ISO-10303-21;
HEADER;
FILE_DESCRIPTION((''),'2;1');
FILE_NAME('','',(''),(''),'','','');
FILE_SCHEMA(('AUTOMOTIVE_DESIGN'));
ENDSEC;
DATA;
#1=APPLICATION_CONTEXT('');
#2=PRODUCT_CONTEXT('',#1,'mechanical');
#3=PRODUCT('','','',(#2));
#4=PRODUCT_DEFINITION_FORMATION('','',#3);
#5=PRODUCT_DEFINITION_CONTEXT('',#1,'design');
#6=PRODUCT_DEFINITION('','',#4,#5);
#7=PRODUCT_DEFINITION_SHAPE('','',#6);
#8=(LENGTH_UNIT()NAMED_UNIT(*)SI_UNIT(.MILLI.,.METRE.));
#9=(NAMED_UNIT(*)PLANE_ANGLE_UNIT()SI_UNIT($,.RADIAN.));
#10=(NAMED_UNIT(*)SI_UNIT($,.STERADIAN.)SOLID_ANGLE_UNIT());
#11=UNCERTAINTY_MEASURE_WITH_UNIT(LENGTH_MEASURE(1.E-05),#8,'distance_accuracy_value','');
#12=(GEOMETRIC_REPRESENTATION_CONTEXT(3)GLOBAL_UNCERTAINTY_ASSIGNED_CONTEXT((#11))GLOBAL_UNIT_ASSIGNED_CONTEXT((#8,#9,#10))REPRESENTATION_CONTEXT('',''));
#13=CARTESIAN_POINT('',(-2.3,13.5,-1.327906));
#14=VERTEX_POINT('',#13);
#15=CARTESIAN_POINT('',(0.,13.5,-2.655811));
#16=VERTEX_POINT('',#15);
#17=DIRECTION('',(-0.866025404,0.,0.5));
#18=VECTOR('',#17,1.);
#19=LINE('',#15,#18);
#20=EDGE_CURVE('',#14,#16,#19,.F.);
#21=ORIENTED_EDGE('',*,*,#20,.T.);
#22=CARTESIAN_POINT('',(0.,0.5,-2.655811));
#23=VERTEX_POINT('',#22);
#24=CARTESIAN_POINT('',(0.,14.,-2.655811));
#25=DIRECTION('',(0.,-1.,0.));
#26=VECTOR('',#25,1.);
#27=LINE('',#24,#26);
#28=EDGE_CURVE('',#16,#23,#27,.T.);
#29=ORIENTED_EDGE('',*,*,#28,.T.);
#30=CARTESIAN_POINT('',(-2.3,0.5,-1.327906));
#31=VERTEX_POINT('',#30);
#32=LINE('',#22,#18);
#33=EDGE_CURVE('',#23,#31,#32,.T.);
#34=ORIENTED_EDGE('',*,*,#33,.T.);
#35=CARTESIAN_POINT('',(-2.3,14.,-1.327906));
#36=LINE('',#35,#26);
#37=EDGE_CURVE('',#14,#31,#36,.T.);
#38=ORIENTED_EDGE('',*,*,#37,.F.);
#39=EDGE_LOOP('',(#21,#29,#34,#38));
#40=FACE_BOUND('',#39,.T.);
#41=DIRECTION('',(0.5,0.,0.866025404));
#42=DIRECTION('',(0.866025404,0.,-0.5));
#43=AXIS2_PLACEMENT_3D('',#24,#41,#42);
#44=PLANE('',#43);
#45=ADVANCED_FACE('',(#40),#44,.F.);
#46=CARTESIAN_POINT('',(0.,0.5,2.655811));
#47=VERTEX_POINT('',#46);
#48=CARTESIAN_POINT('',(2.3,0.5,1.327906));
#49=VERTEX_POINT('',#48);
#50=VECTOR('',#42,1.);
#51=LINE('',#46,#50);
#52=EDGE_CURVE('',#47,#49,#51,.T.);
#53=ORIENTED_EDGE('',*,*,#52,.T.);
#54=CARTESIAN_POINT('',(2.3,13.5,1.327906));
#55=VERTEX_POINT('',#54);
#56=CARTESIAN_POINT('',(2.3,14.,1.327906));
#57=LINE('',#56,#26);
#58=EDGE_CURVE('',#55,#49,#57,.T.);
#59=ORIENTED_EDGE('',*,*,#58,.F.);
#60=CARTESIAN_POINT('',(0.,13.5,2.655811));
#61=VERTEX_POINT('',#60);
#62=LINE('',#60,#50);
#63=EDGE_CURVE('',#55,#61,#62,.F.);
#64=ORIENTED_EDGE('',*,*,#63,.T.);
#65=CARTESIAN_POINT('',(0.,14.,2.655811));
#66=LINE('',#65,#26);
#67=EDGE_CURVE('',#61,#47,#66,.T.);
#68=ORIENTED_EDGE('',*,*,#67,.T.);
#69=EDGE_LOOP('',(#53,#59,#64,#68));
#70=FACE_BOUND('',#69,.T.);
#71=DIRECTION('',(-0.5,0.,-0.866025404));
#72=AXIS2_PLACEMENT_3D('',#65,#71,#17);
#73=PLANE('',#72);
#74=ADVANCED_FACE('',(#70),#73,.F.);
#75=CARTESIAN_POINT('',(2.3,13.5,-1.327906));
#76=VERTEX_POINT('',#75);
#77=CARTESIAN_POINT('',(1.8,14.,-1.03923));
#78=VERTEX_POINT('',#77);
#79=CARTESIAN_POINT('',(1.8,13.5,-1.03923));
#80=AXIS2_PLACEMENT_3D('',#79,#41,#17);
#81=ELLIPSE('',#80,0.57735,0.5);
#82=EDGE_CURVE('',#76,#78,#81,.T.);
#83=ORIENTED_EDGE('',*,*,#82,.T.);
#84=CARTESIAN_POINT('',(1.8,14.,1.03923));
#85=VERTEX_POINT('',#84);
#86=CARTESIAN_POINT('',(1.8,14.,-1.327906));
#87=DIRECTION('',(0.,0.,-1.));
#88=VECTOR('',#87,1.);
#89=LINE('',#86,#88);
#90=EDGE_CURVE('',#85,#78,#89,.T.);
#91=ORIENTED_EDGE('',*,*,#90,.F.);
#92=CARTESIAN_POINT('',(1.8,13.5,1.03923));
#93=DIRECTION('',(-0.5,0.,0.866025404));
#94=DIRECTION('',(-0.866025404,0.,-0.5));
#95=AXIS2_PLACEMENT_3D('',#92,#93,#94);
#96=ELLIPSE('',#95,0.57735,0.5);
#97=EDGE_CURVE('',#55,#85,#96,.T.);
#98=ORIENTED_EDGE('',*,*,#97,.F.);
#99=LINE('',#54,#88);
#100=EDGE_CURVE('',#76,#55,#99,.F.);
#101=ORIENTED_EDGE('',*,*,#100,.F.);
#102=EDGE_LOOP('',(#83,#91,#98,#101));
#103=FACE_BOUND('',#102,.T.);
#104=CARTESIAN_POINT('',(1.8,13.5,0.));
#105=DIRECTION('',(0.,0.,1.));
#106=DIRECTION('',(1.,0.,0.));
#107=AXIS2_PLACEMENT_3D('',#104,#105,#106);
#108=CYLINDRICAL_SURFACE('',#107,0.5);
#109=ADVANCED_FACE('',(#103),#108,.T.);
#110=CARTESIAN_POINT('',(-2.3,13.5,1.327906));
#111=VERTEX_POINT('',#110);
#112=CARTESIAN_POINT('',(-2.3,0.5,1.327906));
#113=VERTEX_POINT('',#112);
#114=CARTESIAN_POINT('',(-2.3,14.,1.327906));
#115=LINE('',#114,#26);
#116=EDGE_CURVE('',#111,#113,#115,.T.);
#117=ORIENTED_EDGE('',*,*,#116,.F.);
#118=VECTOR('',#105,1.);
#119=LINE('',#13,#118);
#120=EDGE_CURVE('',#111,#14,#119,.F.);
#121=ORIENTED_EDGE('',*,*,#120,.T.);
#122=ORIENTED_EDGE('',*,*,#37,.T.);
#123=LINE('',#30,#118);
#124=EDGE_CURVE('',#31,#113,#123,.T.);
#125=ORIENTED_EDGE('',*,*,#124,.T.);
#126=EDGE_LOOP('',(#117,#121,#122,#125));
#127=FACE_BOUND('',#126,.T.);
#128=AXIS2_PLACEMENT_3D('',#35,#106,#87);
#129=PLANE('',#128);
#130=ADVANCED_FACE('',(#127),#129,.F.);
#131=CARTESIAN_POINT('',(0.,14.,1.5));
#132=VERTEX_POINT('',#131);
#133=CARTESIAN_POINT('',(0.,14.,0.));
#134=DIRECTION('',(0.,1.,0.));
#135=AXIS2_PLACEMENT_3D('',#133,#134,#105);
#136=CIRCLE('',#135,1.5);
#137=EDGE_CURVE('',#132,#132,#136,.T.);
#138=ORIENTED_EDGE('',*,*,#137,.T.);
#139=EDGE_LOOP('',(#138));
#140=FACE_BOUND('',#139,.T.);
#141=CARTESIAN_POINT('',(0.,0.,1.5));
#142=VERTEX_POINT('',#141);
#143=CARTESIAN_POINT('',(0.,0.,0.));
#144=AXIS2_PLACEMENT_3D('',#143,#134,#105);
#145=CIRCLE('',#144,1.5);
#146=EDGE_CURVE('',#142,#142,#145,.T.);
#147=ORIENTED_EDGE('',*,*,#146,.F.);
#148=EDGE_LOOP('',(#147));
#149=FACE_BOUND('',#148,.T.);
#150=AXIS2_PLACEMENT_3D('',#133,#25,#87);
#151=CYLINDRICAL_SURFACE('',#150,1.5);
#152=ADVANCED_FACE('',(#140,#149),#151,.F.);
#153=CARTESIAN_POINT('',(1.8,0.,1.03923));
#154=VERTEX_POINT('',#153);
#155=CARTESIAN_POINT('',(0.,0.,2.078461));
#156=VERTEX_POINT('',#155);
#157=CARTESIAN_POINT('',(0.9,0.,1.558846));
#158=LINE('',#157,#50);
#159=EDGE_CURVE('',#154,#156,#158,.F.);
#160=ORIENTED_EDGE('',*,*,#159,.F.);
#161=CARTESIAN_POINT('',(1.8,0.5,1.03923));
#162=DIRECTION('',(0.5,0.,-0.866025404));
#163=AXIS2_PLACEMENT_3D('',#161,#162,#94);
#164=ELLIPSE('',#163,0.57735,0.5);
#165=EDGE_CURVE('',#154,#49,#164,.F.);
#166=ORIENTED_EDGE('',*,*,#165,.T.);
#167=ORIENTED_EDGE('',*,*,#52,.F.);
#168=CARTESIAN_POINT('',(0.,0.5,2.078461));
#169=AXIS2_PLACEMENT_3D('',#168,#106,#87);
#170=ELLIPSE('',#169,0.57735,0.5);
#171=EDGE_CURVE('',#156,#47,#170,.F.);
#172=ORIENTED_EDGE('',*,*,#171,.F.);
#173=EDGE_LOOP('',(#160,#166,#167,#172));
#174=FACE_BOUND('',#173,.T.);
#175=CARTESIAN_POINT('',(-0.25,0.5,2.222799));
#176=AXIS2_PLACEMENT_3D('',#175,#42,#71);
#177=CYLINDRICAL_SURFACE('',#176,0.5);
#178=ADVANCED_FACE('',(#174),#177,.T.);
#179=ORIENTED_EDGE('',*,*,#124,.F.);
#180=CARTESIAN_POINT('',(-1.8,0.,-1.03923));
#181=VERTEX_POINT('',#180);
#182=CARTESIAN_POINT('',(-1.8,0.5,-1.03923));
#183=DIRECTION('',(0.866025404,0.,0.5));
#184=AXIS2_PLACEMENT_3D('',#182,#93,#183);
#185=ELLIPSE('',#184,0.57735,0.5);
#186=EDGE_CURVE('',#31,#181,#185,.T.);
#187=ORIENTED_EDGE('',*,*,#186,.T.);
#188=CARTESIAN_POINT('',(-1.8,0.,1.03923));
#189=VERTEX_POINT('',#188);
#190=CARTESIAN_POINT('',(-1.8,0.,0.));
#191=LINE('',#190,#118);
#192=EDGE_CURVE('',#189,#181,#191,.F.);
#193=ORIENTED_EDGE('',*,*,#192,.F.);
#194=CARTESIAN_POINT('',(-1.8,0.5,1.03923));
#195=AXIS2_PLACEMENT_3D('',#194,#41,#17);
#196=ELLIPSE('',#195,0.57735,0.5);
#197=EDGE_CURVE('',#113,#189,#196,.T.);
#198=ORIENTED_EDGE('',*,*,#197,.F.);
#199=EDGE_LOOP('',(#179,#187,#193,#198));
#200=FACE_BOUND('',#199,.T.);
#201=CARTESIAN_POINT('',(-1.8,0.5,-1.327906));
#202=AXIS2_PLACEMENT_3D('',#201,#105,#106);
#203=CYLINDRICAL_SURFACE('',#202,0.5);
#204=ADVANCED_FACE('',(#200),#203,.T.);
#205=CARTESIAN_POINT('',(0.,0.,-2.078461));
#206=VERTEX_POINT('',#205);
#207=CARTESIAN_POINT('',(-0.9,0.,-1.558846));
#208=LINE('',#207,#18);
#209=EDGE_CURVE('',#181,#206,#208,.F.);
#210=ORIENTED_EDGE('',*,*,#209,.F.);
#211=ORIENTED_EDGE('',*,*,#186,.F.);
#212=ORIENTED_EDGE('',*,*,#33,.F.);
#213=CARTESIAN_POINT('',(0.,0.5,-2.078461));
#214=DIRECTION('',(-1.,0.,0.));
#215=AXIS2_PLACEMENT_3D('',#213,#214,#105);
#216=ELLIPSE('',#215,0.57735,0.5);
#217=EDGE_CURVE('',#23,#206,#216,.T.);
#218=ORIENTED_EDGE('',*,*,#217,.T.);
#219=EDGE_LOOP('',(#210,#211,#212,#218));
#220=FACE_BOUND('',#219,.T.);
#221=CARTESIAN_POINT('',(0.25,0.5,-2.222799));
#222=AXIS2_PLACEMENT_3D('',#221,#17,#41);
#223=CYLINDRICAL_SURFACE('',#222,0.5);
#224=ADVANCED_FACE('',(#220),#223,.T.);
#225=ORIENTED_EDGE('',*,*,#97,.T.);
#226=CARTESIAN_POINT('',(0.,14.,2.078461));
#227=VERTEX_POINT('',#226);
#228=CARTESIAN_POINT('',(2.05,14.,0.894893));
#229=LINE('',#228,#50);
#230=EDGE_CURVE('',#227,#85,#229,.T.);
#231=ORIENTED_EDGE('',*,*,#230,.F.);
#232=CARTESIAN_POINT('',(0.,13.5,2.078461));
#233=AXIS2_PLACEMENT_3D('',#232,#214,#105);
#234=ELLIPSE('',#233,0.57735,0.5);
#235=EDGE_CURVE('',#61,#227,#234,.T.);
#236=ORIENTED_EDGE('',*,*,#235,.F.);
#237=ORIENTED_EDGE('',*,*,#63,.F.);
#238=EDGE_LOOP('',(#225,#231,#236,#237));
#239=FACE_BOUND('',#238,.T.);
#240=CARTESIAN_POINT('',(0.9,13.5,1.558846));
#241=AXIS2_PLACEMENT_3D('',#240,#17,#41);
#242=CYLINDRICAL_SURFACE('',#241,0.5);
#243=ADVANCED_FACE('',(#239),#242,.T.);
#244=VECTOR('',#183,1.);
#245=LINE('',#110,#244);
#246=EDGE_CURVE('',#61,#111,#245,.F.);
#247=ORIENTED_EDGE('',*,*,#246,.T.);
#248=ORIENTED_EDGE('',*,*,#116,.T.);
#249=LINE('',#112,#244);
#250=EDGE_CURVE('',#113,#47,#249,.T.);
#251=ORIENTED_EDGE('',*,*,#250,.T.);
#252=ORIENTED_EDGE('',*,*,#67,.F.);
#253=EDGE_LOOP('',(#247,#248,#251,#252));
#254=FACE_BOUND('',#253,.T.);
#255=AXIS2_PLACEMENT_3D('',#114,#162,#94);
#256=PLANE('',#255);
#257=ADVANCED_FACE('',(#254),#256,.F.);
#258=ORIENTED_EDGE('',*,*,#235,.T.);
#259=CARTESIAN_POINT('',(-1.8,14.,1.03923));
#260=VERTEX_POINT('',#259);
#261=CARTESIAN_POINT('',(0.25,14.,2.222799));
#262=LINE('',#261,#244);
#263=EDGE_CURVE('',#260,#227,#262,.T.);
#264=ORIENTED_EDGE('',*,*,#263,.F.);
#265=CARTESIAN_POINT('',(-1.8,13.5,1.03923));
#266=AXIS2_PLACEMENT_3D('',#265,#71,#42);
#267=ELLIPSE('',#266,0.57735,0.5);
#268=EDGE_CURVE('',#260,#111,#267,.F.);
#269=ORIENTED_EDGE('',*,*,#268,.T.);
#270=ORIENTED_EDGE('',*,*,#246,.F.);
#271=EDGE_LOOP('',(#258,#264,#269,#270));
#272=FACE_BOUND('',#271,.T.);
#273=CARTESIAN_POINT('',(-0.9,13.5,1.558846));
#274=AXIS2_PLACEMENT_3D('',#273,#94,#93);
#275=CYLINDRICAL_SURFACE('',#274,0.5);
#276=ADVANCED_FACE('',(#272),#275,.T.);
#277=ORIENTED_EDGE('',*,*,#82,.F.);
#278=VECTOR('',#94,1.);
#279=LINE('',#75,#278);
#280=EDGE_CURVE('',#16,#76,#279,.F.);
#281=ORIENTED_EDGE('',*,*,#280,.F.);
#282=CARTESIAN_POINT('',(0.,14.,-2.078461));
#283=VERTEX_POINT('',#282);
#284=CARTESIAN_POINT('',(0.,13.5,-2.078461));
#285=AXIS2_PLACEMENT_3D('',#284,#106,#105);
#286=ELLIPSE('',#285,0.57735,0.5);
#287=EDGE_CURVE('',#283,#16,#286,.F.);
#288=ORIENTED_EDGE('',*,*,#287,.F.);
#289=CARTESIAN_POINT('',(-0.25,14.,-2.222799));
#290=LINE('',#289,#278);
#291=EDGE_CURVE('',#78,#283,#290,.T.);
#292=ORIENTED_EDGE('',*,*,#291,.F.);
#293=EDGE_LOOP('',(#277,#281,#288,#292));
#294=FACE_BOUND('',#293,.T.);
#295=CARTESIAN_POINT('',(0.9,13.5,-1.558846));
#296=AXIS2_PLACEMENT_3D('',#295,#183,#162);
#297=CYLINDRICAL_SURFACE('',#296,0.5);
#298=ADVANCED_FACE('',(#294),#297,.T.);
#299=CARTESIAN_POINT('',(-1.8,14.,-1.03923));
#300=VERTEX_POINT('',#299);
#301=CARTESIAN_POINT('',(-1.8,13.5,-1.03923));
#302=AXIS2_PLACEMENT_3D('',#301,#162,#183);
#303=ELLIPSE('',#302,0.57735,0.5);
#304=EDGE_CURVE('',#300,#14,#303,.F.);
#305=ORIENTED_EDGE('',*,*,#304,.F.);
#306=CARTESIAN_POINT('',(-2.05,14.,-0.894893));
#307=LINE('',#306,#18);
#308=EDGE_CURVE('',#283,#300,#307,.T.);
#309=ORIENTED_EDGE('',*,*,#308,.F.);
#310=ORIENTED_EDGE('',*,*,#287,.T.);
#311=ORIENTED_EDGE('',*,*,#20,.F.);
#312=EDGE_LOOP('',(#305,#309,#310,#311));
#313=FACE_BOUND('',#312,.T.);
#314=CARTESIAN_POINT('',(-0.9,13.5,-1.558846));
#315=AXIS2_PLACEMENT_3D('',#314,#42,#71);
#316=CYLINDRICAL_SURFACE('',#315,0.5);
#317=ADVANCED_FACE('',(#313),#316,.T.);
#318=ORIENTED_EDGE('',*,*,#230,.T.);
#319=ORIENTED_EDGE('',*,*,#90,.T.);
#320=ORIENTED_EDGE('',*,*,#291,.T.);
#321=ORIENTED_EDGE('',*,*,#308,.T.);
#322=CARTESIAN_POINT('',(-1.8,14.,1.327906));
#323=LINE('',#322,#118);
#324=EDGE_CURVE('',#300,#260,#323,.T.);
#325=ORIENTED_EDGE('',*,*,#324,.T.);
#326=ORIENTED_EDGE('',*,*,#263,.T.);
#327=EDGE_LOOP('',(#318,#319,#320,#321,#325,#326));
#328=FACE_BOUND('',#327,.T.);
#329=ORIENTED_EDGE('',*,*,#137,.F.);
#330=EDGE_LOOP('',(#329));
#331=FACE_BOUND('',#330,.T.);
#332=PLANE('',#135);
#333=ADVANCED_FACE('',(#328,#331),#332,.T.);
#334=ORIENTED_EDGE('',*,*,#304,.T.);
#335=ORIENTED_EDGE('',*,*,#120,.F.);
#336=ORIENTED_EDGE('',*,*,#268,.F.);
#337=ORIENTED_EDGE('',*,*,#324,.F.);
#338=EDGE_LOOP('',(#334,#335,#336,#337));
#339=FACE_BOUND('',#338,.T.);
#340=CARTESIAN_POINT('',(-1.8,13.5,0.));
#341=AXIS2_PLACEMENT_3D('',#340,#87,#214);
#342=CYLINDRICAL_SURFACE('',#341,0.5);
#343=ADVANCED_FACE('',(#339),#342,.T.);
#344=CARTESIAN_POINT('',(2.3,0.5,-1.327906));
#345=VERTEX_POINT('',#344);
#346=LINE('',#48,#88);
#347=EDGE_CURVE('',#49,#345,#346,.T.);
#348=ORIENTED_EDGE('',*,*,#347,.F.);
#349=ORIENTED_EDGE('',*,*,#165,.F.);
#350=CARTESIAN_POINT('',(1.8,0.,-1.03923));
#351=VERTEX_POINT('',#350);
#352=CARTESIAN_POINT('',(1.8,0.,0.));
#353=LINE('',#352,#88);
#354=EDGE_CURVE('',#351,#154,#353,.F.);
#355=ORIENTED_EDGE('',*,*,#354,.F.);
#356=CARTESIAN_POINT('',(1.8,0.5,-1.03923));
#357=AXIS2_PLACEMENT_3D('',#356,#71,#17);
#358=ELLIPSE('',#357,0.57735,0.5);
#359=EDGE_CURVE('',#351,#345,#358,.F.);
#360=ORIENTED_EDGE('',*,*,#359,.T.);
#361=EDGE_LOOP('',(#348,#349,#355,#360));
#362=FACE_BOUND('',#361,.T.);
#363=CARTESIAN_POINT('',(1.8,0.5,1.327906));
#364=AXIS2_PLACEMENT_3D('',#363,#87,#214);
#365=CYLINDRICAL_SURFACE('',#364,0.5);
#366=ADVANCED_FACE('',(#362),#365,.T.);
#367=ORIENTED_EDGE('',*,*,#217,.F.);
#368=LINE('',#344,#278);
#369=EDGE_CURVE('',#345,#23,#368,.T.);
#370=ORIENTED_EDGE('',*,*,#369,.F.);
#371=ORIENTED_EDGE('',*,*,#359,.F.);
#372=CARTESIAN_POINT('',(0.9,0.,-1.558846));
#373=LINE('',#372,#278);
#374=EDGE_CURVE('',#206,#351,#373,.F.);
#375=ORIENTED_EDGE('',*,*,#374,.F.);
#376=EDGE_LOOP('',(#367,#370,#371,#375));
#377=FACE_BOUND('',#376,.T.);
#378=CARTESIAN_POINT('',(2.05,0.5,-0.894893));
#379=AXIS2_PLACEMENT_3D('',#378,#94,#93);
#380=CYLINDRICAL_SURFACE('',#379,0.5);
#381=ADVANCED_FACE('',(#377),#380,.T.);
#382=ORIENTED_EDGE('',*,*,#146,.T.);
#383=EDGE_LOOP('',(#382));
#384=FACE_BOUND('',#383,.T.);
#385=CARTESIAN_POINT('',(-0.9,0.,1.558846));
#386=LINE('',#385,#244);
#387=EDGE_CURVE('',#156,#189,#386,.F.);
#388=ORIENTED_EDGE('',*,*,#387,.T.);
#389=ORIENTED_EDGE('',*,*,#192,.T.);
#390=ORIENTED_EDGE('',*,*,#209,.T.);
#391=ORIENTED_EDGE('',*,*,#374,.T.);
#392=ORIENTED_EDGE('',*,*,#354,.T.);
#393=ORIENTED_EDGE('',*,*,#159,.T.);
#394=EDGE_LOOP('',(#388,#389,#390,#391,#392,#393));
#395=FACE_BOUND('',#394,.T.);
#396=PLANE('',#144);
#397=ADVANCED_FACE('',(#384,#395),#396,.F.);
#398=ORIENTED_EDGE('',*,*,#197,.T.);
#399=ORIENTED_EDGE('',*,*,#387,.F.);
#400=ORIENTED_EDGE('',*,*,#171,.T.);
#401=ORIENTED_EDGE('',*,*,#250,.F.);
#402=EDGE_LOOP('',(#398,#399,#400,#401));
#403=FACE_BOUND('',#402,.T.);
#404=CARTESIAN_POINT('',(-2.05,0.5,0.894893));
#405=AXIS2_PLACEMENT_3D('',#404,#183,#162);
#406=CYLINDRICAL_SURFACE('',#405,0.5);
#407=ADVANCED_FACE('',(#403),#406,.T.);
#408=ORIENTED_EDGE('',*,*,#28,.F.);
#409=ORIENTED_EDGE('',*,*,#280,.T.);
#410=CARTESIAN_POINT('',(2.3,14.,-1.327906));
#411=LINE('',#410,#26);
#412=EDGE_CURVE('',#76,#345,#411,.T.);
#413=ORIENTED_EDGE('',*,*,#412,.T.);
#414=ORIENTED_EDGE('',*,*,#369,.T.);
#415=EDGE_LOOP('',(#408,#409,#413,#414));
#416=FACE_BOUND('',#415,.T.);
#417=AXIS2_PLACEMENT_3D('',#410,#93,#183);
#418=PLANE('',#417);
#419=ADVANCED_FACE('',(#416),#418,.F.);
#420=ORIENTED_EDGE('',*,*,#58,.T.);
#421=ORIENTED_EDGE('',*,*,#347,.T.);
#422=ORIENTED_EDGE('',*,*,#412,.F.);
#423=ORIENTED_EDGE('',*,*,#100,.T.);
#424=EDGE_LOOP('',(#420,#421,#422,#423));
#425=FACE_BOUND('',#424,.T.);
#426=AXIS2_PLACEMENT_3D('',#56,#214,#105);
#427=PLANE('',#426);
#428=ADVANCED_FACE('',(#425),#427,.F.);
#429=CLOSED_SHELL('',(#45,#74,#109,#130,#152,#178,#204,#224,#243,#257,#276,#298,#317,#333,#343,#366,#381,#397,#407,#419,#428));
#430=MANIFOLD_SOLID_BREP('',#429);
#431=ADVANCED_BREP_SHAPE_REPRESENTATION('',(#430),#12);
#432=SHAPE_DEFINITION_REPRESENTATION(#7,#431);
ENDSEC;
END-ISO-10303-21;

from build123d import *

# Parameters (mm, degrees)
SKETCH_1_R      = 1.5
EXTRUDE_1_DEPTH = 14
FILLET_1_R      = 0.5


with BuildPart() as part:
    # 草图1 → 凸台-拉伸1 (new body)
    with BuildSketch(Plane(origin=(0, 0, 0), x_dir=(1, 0, 0), z_dir=(0, 1, 0))):
        Polygon((2.3, -1.327905619), (2.3, 1.327905619), (0, 2.655811238), (-2.3, 1.327905619), (-2.3, -1.327905619), (0, -2.655811238), align=None)
        Circle(SKETCH_1_R, mode=Mode.SUBTRACT)
    extrude(amount=EXTRUDE_1_DEPTH)

    # 圆角1
    fillet_1_edges = [part.edges().sort_by_distance(p)[0] for p in [
        (1.15, 14, -1.991858429),
        (-1.15, 14, -1.991858429),
        (-2.3, 14, 0),
        (-1.15, 14, 1.991858429),
        (1.15, 14, 1.991858429),
        (-1.15, 0, 1.991858429),
        (-2.3, 0, 0),
        (-1.15, 0, -1.991858429),
        (1.15, 0, -1.991858429),
        (2.3, 0, 0),
        (1.15, 0, 1.991858429),
        (2.3, 14, 0),
    ]]
    fillet(fillet_1_edges, radius=FILLET_1_R)


solid = part.part
